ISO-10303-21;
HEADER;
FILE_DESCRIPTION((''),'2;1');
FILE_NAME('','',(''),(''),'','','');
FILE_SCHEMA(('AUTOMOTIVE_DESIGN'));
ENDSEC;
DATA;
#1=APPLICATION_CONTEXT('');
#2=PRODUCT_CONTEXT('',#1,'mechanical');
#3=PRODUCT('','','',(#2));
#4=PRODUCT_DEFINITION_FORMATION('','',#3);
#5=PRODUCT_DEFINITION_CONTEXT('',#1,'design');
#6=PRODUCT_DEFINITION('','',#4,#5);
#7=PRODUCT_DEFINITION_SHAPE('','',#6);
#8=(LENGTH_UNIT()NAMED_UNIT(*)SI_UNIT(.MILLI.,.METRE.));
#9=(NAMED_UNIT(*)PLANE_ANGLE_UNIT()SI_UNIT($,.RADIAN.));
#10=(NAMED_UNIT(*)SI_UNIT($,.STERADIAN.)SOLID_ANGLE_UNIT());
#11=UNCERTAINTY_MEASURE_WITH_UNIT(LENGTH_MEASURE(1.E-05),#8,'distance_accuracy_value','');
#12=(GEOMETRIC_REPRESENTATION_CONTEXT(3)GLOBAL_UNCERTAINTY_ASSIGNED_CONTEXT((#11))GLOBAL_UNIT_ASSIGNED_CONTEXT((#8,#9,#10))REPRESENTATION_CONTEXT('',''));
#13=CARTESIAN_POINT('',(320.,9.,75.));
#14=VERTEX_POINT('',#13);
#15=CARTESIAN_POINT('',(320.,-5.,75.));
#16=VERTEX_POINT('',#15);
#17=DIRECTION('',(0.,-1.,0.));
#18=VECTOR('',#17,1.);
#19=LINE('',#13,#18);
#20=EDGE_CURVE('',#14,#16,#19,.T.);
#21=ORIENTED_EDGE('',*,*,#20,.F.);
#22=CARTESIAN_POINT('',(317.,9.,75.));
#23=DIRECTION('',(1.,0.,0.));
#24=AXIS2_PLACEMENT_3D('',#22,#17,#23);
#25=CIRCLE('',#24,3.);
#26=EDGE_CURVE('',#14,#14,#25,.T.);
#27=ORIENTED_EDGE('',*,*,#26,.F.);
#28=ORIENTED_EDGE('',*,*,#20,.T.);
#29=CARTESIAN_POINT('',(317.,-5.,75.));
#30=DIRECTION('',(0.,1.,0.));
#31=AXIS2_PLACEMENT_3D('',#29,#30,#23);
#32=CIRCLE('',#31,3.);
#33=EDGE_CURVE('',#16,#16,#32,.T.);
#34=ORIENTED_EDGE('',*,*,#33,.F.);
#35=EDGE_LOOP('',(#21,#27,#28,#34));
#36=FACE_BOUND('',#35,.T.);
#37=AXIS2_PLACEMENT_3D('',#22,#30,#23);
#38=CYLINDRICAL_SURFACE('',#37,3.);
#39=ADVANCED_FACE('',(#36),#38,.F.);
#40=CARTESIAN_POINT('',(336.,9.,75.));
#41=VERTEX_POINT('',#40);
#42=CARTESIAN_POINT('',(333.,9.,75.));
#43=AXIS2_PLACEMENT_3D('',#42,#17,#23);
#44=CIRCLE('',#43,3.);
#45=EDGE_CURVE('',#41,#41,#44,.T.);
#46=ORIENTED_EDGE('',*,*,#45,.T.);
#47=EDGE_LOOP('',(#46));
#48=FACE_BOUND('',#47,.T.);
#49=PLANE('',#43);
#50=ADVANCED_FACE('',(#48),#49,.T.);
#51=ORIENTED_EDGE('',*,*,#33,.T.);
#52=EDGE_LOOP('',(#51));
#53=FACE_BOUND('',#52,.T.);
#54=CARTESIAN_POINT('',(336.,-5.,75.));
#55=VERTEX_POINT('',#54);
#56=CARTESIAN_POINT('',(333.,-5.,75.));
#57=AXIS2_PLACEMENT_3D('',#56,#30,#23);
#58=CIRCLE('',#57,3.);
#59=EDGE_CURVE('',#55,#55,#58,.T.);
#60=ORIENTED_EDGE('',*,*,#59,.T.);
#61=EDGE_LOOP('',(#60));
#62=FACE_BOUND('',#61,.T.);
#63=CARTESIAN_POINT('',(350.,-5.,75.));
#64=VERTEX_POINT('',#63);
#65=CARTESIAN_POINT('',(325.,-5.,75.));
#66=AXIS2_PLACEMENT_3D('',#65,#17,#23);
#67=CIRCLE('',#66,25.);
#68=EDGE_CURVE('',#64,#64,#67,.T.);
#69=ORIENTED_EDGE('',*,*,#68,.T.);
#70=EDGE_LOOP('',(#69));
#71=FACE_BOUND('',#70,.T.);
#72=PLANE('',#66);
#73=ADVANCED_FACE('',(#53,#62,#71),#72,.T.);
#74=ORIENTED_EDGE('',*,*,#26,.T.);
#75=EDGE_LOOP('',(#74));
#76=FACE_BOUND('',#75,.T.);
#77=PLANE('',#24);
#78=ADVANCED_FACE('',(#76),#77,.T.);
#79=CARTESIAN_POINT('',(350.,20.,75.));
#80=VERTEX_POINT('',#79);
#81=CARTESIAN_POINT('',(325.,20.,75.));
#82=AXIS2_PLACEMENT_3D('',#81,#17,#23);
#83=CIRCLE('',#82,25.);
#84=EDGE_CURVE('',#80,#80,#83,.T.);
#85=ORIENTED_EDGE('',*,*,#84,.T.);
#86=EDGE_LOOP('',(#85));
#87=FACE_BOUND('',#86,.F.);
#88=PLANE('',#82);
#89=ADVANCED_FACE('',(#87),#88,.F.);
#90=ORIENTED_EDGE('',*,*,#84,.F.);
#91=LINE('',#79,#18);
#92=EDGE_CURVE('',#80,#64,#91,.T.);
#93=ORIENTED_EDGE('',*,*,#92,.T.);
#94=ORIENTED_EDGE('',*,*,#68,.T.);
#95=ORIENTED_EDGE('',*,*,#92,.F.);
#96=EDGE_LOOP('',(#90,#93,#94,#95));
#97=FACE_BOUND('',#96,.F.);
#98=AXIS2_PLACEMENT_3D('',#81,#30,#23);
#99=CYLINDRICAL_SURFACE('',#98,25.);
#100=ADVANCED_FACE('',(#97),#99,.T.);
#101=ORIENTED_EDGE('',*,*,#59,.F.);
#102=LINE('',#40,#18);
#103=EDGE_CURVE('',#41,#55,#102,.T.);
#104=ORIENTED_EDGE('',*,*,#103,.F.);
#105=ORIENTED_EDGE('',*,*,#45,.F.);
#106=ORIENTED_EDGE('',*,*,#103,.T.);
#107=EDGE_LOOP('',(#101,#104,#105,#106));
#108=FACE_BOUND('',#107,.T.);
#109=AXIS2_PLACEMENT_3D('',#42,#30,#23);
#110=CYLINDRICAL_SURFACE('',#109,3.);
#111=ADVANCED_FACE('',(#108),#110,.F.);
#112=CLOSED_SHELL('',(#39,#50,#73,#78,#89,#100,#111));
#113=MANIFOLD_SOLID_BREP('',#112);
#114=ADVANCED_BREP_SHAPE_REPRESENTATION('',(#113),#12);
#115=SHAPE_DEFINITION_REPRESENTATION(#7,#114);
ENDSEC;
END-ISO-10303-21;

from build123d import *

# Parameters (mm, degrees)
CYLINDER014_R          = 3
CYLINDER014_DEPTH      = 15
CYLINDER014_ROLL_ANGLE = 90
CYLINDER013_R          = 3
CYLINDER013_DEPTH      = 15
CYLINDER013_ROLL_ANGLE = 90
CYLINDER012_R          = 25
CYLINDER012_DEPTH      = 25
CYLINDER012_ROLL_ANGLE = 90


with BuildPart() as cylinder014:
    # Cylinder014 → Cylinder014 (new body)
    with BuildSketch(Plane.XY):
        Circle(CYLINDER014_R)
    extrude(amount=CYLINDER014_DEPTH)


with BuildPart() as cylinder014_1:
    # Cylinder014 roll: moved
    add(cylinder014.part.rotate(Axis((0, 0, 0), (1, 0, 0)), CYLINDER014_ROLL_ANGLE))


with BuildPart() as cylinder014_2:
    # Cylinder014 placement: moved
    add(cylinder014_1.part.moved(Location((258, 9, 130))))


with BuildPart() as cylinder013:
    # Cylinder013 → Cylinder013 (new body)
    with BuildSketch(Plane.XY):
        Circle(CYLINDER013_R)
    extrude(amount=CYLINDER013_DEPTH)


with BuildPart() as cylinder013_1:
    # Cylinder013 roll: moved
    add(cylinder013.part.rotate(Axis((0, 0, 0), (1, 0, 0)), CYLINDER013_ROLL_ANGLE))


with BuildPart() as cylinder013_2:
    # Cylinder013 placement: moved
    add(cylinder013_1.part.moved(Location((242, 9, 130))))


with BuildPart() as cut007:
    # Cylinder012 → Cylinder012 (new body)
    with BuildSketch(Plane.XY):
        Circle(CYLINDER012_R)
    extrude(amount=CYLINDER012_DEPTH)


with BuildPart() as cut007_1:
    # Cylinder012 roll: moved
    add(cut007.part.rotate(Axis((0, 0, 0), (1, 0, 0)), CYLINDER012_ROLL_ANGLE))


with BuildPart() as cut007_2:
    # Cylinder012 placement: moved
    add(cut007_1.part.moved(Location((250, 20, 130))))

    # Cut006: cut Cylinder013
    add(cylinder013_2.part, mode=Mode.SUBTRACT)

    # Cut007: cut Cylinder014
    add(cylinder014_2.part, mode=Mode.SUBTRACT)


with BuildPart() as cut007_3:
    # Cut007 placement: moved
    add(cut007_2.part.moved(Location((75, 0, -55))))


solid = cut007_3.part
